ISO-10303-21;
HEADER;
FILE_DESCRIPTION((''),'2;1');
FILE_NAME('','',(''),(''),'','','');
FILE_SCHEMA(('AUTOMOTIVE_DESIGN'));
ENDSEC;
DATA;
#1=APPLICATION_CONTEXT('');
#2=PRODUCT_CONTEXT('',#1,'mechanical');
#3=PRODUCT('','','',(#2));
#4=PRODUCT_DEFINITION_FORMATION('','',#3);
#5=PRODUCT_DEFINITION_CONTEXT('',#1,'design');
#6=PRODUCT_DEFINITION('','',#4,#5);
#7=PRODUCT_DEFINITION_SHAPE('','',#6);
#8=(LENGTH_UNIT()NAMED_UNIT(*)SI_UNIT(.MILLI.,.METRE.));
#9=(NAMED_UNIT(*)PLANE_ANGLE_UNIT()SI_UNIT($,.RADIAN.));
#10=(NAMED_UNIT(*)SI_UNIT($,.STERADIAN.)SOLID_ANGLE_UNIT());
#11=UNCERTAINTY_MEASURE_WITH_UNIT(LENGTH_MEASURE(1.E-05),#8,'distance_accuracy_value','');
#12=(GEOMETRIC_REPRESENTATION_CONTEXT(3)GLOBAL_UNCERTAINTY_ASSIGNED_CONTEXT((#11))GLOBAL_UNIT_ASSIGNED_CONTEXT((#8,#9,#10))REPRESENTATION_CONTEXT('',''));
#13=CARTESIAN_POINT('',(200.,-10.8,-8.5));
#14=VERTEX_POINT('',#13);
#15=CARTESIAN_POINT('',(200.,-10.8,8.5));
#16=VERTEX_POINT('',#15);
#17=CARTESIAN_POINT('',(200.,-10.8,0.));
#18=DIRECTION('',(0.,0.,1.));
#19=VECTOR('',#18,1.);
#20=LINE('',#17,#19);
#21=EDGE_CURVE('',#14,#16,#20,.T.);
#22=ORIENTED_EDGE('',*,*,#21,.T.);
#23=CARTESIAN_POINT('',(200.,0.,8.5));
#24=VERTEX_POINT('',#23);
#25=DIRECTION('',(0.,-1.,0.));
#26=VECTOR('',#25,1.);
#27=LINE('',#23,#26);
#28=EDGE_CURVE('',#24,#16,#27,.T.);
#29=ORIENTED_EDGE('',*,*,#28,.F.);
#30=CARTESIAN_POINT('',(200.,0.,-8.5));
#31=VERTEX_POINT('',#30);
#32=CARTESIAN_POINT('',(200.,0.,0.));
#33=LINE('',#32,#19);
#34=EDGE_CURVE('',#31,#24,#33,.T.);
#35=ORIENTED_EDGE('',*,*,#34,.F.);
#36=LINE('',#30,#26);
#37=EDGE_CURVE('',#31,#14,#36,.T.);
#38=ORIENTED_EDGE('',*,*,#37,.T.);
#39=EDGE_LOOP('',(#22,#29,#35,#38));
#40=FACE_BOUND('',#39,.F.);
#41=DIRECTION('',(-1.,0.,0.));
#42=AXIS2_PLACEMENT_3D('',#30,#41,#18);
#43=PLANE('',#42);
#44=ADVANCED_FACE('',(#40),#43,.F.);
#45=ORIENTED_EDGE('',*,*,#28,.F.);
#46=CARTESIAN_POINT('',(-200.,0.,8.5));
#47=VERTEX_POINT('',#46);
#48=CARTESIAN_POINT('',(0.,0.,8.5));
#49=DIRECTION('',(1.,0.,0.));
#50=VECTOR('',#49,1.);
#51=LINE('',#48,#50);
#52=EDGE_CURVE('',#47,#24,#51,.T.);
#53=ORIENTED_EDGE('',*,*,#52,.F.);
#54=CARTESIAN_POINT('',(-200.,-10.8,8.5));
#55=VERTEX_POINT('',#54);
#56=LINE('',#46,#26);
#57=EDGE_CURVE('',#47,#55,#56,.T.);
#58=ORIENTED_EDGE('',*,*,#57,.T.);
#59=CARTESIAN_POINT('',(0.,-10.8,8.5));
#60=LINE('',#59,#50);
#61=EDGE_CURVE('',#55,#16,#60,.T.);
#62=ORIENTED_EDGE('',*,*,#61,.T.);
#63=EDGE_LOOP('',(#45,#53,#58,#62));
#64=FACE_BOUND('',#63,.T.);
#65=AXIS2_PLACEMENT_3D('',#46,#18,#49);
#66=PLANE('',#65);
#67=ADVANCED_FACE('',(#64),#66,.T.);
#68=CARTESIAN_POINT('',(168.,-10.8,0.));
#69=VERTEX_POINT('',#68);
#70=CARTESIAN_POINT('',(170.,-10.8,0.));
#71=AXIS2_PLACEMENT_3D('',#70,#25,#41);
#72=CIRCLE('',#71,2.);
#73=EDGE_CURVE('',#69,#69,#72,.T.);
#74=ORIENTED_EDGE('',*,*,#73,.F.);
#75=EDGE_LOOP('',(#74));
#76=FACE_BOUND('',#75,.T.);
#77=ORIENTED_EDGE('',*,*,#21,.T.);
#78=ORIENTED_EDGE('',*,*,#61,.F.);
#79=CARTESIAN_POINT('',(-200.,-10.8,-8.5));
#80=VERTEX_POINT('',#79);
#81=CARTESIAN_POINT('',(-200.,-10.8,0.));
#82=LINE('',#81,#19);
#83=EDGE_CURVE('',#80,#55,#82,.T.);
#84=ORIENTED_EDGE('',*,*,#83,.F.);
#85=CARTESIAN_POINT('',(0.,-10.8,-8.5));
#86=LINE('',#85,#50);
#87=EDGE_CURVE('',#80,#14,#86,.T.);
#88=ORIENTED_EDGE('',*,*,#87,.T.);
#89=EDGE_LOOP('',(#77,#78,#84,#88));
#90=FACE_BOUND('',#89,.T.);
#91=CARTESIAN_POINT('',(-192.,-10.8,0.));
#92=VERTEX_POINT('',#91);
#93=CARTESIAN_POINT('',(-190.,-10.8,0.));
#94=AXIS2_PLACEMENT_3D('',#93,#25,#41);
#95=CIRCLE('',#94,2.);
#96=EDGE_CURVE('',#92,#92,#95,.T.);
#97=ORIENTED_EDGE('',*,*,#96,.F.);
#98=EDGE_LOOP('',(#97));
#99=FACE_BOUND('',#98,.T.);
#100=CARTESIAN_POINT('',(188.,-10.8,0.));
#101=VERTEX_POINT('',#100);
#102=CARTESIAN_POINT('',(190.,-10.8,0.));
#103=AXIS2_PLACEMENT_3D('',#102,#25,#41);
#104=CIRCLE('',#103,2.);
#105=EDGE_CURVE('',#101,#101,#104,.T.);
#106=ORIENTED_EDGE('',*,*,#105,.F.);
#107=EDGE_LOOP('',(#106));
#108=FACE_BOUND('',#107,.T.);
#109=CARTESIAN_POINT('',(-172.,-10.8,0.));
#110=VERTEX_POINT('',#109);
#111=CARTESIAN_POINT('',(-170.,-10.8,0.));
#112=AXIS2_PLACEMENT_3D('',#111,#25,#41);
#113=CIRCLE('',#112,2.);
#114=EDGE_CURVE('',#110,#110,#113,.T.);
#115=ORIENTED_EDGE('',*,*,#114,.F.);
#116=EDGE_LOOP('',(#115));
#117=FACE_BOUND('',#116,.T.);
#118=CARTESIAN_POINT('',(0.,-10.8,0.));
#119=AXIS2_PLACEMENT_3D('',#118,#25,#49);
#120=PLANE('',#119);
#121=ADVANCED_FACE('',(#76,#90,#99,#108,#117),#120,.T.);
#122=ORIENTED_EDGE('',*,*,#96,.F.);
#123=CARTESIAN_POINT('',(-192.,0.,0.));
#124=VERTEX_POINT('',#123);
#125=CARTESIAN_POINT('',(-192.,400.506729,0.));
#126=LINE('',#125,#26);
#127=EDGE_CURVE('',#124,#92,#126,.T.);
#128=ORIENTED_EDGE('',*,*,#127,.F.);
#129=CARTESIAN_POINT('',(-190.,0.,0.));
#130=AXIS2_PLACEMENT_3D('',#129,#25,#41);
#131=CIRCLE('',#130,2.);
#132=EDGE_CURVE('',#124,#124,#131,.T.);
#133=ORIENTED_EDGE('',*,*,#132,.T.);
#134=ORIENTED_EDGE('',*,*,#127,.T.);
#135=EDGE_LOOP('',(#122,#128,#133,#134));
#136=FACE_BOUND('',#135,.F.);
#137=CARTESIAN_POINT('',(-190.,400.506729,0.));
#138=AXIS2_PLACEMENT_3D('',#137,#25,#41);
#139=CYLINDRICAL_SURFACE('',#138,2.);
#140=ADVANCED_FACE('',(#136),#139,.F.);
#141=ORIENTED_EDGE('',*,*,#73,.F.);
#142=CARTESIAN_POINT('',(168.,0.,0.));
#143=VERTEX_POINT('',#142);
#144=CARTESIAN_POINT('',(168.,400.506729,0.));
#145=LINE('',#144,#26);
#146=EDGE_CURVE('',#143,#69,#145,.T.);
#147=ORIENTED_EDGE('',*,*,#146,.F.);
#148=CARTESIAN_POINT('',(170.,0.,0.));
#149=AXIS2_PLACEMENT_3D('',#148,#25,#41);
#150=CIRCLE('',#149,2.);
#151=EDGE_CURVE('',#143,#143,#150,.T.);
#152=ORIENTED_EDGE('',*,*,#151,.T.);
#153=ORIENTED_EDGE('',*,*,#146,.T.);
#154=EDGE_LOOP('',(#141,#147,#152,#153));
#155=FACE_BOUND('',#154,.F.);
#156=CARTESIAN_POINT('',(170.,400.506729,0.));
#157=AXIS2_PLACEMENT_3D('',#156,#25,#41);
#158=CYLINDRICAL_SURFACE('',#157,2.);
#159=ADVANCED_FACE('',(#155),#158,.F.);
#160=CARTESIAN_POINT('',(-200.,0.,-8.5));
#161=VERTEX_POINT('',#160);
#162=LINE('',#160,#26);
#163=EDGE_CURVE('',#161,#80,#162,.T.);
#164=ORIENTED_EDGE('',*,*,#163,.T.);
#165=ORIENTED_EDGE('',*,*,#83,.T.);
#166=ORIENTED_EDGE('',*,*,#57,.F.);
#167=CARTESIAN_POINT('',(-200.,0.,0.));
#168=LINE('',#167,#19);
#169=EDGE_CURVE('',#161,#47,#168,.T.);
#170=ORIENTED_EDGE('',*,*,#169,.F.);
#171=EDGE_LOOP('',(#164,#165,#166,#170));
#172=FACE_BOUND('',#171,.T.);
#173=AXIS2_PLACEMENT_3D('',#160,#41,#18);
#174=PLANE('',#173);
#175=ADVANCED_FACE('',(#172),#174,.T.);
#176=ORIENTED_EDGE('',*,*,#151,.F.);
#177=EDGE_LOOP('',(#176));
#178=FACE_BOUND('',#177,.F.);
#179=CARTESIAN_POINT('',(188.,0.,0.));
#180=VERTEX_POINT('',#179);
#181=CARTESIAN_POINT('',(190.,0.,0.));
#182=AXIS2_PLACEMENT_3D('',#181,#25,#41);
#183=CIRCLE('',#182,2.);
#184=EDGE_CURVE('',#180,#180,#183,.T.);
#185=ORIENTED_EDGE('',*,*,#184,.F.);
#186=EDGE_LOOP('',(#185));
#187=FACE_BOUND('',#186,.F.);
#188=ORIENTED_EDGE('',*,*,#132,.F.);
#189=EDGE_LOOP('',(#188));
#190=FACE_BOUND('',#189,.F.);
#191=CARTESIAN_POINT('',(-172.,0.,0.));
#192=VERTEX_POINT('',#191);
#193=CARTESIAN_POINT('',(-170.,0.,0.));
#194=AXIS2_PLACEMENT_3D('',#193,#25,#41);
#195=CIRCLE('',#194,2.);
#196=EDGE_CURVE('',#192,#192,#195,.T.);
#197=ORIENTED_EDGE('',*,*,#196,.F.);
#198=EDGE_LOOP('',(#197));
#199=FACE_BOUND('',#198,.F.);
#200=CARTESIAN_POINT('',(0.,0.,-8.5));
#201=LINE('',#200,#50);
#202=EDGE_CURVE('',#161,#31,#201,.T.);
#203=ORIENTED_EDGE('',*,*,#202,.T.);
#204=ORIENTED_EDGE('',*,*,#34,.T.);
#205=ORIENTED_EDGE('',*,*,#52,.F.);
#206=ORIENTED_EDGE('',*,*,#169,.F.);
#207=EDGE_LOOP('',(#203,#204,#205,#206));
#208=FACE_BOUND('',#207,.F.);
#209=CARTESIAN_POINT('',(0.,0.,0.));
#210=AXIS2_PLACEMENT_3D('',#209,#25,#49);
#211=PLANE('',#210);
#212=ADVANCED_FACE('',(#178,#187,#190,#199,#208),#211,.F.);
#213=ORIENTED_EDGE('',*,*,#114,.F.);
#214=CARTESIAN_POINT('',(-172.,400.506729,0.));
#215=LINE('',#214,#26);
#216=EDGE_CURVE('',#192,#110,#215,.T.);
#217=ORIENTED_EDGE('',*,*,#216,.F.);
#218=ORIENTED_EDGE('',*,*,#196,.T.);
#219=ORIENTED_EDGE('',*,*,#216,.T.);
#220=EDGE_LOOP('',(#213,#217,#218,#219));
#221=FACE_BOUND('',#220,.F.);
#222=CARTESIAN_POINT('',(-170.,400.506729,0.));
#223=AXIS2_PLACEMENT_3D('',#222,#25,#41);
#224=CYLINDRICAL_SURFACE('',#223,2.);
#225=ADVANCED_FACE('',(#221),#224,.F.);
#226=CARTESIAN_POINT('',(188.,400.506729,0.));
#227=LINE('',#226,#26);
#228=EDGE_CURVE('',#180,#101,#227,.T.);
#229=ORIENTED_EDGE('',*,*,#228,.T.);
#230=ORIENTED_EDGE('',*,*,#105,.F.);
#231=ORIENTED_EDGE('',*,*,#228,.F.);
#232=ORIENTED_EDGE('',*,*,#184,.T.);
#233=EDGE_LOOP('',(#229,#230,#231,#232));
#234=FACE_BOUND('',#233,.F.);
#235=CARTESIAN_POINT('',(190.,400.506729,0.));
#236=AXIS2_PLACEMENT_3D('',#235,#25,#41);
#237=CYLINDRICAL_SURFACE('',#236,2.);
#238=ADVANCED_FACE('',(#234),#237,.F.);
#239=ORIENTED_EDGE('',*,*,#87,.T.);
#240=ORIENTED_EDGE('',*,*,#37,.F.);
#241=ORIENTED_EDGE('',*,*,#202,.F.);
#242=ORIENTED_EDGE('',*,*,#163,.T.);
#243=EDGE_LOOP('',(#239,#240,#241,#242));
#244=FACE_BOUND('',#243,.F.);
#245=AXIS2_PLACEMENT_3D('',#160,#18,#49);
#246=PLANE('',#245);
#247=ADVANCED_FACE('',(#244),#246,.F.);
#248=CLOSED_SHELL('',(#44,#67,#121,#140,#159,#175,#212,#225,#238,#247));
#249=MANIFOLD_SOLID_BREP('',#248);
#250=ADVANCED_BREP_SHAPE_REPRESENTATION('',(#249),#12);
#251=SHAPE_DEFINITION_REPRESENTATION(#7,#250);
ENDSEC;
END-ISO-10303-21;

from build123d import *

# Parameters (mm, degrees)
F0_W     = 400
F0_H     = 17
F1_DEPTH = 10.8
F2_D     = 4


with BuildPart() as f1:
    # F0 (on Front) → F1 (new body)
    with BuildSketch(Plane.XZ):
        Rectangle(F0_W, F0_H)
    extrude(amount=F1_DEPTH)

    # F2 (through all)
    with Locations(Plane(origin=(0, 0, 0), x_dir=(1, 0, 0), z_dir=(0, 1, 0))):
        with Locations((-190, 0), (-170, 0), (170, 0), (190, 0)):
            Hole(F2_D / 2)


solid = f1.part
